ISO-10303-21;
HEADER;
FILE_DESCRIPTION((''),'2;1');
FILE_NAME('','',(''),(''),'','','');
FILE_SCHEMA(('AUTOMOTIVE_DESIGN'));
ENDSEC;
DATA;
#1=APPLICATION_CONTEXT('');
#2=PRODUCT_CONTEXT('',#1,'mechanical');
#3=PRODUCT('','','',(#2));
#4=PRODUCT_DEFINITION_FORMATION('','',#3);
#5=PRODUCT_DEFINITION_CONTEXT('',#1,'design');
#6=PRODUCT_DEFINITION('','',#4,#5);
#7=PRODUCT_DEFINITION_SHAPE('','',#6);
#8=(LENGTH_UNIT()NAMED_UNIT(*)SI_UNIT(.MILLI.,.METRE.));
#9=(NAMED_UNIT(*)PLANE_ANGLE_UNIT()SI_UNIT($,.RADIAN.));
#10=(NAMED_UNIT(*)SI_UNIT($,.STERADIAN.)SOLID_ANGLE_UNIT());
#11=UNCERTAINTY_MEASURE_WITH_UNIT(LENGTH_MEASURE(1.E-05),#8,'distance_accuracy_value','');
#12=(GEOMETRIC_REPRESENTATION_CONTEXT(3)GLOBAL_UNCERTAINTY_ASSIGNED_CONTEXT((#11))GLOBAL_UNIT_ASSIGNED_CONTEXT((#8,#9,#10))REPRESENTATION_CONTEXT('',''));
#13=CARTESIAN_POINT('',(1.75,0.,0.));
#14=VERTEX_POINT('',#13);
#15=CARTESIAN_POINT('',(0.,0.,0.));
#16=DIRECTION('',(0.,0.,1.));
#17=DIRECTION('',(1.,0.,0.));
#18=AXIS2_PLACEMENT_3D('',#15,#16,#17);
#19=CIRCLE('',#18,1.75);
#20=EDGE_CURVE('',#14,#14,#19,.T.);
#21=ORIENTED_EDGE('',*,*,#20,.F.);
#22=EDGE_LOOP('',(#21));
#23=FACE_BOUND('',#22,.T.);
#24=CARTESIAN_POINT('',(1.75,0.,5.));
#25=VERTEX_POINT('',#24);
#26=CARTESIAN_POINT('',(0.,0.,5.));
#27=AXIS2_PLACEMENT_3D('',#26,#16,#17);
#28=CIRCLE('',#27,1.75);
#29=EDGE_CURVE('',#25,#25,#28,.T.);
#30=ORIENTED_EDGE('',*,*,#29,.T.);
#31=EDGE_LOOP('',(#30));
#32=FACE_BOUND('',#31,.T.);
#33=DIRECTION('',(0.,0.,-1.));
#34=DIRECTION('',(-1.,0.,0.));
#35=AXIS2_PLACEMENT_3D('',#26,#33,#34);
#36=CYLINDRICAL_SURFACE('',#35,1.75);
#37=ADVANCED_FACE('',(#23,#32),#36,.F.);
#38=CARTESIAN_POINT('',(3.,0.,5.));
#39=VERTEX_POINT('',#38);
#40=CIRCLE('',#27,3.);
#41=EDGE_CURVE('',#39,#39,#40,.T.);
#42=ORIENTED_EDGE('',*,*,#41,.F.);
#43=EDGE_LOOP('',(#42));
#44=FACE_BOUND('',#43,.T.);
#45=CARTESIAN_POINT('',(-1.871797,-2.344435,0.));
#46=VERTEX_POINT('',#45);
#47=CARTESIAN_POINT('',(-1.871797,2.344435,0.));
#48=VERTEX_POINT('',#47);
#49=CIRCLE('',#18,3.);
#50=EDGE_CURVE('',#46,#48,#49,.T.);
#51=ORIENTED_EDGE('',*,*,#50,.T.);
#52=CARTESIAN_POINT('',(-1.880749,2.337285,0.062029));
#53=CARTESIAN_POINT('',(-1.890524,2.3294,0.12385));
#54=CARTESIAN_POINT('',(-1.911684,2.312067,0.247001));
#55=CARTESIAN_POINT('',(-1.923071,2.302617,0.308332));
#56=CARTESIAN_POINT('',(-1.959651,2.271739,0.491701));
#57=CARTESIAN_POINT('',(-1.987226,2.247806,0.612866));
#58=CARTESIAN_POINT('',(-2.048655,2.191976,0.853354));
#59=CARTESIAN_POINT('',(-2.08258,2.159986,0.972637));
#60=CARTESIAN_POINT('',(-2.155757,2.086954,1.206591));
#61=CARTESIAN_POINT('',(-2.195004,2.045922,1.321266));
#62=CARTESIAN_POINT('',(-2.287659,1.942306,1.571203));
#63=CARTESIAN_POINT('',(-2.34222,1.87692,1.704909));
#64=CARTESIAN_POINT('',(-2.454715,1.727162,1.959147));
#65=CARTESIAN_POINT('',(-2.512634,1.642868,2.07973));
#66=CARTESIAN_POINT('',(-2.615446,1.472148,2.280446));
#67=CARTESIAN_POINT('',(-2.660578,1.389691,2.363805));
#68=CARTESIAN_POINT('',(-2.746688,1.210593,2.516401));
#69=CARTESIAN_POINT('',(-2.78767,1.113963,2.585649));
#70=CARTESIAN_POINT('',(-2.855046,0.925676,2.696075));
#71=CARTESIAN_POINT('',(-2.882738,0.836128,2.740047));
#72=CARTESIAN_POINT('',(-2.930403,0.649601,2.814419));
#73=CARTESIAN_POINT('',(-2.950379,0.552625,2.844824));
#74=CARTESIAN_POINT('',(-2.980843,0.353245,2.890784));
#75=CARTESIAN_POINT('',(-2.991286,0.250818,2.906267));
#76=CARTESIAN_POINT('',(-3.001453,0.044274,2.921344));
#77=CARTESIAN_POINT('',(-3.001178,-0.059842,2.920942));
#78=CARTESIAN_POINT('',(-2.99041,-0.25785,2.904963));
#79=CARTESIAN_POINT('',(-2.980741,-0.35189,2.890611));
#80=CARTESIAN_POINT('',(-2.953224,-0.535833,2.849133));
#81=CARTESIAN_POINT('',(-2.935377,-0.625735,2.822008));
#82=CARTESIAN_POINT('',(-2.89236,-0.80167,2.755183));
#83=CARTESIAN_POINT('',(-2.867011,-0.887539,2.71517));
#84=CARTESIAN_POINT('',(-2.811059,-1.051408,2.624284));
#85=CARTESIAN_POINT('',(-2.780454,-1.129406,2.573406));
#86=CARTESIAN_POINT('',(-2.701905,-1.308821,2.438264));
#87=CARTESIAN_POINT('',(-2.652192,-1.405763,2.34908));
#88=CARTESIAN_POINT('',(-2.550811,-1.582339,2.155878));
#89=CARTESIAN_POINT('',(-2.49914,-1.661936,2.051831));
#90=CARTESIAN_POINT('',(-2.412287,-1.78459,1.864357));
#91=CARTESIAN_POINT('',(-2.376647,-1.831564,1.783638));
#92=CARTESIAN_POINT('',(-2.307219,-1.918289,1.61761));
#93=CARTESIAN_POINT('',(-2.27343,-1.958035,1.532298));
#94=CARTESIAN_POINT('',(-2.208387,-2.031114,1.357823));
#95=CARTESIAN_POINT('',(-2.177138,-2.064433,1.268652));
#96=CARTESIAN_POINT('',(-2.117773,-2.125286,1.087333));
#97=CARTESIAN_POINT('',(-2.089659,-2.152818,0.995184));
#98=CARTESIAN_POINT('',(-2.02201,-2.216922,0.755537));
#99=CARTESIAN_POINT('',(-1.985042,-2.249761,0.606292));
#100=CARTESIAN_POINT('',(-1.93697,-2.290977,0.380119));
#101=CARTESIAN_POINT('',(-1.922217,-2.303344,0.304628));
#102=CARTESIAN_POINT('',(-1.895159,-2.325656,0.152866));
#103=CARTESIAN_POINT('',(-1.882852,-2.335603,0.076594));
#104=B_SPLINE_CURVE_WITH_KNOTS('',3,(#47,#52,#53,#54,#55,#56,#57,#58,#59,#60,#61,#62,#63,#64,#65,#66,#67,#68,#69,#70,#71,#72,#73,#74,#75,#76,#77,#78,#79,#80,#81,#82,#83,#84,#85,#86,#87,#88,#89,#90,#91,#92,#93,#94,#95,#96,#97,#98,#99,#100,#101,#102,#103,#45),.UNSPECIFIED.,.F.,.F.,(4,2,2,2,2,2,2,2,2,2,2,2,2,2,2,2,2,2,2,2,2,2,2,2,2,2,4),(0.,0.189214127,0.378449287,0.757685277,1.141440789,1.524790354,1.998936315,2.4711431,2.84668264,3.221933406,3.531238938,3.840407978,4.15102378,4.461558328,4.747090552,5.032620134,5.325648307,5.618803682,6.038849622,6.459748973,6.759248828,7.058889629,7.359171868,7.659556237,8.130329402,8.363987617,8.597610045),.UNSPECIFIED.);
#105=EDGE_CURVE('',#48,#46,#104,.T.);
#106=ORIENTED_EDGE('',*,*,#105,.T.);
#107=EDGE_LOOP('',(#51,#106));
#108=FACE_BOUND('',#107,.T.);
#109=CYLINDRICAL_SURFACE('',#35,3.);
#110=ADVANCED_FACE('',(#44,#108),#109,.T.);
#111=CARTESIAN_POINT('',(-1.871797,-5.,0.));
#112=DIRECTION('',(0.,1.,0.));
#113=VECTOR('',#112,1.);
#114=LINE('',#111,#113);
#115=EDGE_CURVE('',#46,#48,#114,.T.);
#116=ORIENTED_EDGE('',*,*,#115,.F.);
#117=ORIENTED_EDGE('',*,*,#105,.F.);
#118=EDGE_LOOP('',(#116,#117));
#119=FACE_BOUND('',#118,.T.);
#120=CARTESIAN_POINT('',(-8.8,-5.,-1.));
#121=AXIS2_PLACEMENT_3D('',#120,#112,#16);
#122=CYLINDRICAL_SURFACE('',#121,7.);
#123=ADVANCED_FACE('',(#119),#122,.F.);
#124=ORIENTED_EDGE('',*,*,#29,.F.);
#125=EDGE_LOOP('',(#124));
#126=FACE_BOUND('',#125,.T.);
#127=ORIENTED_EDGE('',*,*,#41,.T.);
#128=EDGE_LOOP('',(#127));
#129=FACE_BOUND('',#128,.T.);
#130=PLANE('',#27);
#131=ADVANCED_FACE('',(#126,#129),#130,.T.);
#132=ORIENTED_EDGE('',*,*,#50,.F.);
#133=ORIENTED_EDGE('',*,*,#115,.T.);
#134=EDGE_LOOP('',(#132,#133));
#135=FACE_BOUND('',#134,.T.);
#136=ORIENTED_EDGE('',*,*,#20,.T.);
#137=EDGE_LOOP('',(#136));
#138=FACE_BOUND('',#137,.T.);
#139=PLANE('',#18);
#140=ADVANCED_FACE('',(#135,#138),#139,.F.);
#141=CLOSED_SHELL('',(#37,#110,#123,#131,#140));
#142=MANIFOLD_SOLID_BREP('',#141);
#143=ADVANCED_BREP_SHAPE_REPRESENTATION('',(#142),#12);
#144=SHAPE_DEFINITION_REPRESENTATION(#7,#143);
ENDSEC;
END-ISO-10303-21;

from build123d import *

# Parameters (mm, degrees)
ESQUISSE1_R             = 3
ESQUISSE1_R_2           = 1.75
BASE_EXTRUSION_DEPTH    = 5
ESQUISSE2_R             = 7
ENL_V_MAT_EXTRU_1_DEPTH = 5


with BuildPart() as part:
    # Esquisse1 → Base-Extrusion (new body)
    with BuildSketch(Plane.XY):
        Circle(ESQUISSE1_R)
        Circle(ESQUISSE1_R_2, mode=Mode.SUBTRACT)
    extrude(amount=BASE_EXTRUSION_DEPTH)

    # Esquisse2 → Enlèv. mat.-Extru.1 (cut, symmetric)
    with BuildSketch(Plane(origin=(0, 0, 0), x_dir=(1, 0, 0), z_dir=(0, 1, 0))):
        with Locations((-8.8, 1)):
            Circle(ESQUISSE2_R)
    extrude(amount=ENL_V_MAT_EXTRU_1_DEPTH, both=True, mode=Mode.SUBTRACT)


solid = part.part
